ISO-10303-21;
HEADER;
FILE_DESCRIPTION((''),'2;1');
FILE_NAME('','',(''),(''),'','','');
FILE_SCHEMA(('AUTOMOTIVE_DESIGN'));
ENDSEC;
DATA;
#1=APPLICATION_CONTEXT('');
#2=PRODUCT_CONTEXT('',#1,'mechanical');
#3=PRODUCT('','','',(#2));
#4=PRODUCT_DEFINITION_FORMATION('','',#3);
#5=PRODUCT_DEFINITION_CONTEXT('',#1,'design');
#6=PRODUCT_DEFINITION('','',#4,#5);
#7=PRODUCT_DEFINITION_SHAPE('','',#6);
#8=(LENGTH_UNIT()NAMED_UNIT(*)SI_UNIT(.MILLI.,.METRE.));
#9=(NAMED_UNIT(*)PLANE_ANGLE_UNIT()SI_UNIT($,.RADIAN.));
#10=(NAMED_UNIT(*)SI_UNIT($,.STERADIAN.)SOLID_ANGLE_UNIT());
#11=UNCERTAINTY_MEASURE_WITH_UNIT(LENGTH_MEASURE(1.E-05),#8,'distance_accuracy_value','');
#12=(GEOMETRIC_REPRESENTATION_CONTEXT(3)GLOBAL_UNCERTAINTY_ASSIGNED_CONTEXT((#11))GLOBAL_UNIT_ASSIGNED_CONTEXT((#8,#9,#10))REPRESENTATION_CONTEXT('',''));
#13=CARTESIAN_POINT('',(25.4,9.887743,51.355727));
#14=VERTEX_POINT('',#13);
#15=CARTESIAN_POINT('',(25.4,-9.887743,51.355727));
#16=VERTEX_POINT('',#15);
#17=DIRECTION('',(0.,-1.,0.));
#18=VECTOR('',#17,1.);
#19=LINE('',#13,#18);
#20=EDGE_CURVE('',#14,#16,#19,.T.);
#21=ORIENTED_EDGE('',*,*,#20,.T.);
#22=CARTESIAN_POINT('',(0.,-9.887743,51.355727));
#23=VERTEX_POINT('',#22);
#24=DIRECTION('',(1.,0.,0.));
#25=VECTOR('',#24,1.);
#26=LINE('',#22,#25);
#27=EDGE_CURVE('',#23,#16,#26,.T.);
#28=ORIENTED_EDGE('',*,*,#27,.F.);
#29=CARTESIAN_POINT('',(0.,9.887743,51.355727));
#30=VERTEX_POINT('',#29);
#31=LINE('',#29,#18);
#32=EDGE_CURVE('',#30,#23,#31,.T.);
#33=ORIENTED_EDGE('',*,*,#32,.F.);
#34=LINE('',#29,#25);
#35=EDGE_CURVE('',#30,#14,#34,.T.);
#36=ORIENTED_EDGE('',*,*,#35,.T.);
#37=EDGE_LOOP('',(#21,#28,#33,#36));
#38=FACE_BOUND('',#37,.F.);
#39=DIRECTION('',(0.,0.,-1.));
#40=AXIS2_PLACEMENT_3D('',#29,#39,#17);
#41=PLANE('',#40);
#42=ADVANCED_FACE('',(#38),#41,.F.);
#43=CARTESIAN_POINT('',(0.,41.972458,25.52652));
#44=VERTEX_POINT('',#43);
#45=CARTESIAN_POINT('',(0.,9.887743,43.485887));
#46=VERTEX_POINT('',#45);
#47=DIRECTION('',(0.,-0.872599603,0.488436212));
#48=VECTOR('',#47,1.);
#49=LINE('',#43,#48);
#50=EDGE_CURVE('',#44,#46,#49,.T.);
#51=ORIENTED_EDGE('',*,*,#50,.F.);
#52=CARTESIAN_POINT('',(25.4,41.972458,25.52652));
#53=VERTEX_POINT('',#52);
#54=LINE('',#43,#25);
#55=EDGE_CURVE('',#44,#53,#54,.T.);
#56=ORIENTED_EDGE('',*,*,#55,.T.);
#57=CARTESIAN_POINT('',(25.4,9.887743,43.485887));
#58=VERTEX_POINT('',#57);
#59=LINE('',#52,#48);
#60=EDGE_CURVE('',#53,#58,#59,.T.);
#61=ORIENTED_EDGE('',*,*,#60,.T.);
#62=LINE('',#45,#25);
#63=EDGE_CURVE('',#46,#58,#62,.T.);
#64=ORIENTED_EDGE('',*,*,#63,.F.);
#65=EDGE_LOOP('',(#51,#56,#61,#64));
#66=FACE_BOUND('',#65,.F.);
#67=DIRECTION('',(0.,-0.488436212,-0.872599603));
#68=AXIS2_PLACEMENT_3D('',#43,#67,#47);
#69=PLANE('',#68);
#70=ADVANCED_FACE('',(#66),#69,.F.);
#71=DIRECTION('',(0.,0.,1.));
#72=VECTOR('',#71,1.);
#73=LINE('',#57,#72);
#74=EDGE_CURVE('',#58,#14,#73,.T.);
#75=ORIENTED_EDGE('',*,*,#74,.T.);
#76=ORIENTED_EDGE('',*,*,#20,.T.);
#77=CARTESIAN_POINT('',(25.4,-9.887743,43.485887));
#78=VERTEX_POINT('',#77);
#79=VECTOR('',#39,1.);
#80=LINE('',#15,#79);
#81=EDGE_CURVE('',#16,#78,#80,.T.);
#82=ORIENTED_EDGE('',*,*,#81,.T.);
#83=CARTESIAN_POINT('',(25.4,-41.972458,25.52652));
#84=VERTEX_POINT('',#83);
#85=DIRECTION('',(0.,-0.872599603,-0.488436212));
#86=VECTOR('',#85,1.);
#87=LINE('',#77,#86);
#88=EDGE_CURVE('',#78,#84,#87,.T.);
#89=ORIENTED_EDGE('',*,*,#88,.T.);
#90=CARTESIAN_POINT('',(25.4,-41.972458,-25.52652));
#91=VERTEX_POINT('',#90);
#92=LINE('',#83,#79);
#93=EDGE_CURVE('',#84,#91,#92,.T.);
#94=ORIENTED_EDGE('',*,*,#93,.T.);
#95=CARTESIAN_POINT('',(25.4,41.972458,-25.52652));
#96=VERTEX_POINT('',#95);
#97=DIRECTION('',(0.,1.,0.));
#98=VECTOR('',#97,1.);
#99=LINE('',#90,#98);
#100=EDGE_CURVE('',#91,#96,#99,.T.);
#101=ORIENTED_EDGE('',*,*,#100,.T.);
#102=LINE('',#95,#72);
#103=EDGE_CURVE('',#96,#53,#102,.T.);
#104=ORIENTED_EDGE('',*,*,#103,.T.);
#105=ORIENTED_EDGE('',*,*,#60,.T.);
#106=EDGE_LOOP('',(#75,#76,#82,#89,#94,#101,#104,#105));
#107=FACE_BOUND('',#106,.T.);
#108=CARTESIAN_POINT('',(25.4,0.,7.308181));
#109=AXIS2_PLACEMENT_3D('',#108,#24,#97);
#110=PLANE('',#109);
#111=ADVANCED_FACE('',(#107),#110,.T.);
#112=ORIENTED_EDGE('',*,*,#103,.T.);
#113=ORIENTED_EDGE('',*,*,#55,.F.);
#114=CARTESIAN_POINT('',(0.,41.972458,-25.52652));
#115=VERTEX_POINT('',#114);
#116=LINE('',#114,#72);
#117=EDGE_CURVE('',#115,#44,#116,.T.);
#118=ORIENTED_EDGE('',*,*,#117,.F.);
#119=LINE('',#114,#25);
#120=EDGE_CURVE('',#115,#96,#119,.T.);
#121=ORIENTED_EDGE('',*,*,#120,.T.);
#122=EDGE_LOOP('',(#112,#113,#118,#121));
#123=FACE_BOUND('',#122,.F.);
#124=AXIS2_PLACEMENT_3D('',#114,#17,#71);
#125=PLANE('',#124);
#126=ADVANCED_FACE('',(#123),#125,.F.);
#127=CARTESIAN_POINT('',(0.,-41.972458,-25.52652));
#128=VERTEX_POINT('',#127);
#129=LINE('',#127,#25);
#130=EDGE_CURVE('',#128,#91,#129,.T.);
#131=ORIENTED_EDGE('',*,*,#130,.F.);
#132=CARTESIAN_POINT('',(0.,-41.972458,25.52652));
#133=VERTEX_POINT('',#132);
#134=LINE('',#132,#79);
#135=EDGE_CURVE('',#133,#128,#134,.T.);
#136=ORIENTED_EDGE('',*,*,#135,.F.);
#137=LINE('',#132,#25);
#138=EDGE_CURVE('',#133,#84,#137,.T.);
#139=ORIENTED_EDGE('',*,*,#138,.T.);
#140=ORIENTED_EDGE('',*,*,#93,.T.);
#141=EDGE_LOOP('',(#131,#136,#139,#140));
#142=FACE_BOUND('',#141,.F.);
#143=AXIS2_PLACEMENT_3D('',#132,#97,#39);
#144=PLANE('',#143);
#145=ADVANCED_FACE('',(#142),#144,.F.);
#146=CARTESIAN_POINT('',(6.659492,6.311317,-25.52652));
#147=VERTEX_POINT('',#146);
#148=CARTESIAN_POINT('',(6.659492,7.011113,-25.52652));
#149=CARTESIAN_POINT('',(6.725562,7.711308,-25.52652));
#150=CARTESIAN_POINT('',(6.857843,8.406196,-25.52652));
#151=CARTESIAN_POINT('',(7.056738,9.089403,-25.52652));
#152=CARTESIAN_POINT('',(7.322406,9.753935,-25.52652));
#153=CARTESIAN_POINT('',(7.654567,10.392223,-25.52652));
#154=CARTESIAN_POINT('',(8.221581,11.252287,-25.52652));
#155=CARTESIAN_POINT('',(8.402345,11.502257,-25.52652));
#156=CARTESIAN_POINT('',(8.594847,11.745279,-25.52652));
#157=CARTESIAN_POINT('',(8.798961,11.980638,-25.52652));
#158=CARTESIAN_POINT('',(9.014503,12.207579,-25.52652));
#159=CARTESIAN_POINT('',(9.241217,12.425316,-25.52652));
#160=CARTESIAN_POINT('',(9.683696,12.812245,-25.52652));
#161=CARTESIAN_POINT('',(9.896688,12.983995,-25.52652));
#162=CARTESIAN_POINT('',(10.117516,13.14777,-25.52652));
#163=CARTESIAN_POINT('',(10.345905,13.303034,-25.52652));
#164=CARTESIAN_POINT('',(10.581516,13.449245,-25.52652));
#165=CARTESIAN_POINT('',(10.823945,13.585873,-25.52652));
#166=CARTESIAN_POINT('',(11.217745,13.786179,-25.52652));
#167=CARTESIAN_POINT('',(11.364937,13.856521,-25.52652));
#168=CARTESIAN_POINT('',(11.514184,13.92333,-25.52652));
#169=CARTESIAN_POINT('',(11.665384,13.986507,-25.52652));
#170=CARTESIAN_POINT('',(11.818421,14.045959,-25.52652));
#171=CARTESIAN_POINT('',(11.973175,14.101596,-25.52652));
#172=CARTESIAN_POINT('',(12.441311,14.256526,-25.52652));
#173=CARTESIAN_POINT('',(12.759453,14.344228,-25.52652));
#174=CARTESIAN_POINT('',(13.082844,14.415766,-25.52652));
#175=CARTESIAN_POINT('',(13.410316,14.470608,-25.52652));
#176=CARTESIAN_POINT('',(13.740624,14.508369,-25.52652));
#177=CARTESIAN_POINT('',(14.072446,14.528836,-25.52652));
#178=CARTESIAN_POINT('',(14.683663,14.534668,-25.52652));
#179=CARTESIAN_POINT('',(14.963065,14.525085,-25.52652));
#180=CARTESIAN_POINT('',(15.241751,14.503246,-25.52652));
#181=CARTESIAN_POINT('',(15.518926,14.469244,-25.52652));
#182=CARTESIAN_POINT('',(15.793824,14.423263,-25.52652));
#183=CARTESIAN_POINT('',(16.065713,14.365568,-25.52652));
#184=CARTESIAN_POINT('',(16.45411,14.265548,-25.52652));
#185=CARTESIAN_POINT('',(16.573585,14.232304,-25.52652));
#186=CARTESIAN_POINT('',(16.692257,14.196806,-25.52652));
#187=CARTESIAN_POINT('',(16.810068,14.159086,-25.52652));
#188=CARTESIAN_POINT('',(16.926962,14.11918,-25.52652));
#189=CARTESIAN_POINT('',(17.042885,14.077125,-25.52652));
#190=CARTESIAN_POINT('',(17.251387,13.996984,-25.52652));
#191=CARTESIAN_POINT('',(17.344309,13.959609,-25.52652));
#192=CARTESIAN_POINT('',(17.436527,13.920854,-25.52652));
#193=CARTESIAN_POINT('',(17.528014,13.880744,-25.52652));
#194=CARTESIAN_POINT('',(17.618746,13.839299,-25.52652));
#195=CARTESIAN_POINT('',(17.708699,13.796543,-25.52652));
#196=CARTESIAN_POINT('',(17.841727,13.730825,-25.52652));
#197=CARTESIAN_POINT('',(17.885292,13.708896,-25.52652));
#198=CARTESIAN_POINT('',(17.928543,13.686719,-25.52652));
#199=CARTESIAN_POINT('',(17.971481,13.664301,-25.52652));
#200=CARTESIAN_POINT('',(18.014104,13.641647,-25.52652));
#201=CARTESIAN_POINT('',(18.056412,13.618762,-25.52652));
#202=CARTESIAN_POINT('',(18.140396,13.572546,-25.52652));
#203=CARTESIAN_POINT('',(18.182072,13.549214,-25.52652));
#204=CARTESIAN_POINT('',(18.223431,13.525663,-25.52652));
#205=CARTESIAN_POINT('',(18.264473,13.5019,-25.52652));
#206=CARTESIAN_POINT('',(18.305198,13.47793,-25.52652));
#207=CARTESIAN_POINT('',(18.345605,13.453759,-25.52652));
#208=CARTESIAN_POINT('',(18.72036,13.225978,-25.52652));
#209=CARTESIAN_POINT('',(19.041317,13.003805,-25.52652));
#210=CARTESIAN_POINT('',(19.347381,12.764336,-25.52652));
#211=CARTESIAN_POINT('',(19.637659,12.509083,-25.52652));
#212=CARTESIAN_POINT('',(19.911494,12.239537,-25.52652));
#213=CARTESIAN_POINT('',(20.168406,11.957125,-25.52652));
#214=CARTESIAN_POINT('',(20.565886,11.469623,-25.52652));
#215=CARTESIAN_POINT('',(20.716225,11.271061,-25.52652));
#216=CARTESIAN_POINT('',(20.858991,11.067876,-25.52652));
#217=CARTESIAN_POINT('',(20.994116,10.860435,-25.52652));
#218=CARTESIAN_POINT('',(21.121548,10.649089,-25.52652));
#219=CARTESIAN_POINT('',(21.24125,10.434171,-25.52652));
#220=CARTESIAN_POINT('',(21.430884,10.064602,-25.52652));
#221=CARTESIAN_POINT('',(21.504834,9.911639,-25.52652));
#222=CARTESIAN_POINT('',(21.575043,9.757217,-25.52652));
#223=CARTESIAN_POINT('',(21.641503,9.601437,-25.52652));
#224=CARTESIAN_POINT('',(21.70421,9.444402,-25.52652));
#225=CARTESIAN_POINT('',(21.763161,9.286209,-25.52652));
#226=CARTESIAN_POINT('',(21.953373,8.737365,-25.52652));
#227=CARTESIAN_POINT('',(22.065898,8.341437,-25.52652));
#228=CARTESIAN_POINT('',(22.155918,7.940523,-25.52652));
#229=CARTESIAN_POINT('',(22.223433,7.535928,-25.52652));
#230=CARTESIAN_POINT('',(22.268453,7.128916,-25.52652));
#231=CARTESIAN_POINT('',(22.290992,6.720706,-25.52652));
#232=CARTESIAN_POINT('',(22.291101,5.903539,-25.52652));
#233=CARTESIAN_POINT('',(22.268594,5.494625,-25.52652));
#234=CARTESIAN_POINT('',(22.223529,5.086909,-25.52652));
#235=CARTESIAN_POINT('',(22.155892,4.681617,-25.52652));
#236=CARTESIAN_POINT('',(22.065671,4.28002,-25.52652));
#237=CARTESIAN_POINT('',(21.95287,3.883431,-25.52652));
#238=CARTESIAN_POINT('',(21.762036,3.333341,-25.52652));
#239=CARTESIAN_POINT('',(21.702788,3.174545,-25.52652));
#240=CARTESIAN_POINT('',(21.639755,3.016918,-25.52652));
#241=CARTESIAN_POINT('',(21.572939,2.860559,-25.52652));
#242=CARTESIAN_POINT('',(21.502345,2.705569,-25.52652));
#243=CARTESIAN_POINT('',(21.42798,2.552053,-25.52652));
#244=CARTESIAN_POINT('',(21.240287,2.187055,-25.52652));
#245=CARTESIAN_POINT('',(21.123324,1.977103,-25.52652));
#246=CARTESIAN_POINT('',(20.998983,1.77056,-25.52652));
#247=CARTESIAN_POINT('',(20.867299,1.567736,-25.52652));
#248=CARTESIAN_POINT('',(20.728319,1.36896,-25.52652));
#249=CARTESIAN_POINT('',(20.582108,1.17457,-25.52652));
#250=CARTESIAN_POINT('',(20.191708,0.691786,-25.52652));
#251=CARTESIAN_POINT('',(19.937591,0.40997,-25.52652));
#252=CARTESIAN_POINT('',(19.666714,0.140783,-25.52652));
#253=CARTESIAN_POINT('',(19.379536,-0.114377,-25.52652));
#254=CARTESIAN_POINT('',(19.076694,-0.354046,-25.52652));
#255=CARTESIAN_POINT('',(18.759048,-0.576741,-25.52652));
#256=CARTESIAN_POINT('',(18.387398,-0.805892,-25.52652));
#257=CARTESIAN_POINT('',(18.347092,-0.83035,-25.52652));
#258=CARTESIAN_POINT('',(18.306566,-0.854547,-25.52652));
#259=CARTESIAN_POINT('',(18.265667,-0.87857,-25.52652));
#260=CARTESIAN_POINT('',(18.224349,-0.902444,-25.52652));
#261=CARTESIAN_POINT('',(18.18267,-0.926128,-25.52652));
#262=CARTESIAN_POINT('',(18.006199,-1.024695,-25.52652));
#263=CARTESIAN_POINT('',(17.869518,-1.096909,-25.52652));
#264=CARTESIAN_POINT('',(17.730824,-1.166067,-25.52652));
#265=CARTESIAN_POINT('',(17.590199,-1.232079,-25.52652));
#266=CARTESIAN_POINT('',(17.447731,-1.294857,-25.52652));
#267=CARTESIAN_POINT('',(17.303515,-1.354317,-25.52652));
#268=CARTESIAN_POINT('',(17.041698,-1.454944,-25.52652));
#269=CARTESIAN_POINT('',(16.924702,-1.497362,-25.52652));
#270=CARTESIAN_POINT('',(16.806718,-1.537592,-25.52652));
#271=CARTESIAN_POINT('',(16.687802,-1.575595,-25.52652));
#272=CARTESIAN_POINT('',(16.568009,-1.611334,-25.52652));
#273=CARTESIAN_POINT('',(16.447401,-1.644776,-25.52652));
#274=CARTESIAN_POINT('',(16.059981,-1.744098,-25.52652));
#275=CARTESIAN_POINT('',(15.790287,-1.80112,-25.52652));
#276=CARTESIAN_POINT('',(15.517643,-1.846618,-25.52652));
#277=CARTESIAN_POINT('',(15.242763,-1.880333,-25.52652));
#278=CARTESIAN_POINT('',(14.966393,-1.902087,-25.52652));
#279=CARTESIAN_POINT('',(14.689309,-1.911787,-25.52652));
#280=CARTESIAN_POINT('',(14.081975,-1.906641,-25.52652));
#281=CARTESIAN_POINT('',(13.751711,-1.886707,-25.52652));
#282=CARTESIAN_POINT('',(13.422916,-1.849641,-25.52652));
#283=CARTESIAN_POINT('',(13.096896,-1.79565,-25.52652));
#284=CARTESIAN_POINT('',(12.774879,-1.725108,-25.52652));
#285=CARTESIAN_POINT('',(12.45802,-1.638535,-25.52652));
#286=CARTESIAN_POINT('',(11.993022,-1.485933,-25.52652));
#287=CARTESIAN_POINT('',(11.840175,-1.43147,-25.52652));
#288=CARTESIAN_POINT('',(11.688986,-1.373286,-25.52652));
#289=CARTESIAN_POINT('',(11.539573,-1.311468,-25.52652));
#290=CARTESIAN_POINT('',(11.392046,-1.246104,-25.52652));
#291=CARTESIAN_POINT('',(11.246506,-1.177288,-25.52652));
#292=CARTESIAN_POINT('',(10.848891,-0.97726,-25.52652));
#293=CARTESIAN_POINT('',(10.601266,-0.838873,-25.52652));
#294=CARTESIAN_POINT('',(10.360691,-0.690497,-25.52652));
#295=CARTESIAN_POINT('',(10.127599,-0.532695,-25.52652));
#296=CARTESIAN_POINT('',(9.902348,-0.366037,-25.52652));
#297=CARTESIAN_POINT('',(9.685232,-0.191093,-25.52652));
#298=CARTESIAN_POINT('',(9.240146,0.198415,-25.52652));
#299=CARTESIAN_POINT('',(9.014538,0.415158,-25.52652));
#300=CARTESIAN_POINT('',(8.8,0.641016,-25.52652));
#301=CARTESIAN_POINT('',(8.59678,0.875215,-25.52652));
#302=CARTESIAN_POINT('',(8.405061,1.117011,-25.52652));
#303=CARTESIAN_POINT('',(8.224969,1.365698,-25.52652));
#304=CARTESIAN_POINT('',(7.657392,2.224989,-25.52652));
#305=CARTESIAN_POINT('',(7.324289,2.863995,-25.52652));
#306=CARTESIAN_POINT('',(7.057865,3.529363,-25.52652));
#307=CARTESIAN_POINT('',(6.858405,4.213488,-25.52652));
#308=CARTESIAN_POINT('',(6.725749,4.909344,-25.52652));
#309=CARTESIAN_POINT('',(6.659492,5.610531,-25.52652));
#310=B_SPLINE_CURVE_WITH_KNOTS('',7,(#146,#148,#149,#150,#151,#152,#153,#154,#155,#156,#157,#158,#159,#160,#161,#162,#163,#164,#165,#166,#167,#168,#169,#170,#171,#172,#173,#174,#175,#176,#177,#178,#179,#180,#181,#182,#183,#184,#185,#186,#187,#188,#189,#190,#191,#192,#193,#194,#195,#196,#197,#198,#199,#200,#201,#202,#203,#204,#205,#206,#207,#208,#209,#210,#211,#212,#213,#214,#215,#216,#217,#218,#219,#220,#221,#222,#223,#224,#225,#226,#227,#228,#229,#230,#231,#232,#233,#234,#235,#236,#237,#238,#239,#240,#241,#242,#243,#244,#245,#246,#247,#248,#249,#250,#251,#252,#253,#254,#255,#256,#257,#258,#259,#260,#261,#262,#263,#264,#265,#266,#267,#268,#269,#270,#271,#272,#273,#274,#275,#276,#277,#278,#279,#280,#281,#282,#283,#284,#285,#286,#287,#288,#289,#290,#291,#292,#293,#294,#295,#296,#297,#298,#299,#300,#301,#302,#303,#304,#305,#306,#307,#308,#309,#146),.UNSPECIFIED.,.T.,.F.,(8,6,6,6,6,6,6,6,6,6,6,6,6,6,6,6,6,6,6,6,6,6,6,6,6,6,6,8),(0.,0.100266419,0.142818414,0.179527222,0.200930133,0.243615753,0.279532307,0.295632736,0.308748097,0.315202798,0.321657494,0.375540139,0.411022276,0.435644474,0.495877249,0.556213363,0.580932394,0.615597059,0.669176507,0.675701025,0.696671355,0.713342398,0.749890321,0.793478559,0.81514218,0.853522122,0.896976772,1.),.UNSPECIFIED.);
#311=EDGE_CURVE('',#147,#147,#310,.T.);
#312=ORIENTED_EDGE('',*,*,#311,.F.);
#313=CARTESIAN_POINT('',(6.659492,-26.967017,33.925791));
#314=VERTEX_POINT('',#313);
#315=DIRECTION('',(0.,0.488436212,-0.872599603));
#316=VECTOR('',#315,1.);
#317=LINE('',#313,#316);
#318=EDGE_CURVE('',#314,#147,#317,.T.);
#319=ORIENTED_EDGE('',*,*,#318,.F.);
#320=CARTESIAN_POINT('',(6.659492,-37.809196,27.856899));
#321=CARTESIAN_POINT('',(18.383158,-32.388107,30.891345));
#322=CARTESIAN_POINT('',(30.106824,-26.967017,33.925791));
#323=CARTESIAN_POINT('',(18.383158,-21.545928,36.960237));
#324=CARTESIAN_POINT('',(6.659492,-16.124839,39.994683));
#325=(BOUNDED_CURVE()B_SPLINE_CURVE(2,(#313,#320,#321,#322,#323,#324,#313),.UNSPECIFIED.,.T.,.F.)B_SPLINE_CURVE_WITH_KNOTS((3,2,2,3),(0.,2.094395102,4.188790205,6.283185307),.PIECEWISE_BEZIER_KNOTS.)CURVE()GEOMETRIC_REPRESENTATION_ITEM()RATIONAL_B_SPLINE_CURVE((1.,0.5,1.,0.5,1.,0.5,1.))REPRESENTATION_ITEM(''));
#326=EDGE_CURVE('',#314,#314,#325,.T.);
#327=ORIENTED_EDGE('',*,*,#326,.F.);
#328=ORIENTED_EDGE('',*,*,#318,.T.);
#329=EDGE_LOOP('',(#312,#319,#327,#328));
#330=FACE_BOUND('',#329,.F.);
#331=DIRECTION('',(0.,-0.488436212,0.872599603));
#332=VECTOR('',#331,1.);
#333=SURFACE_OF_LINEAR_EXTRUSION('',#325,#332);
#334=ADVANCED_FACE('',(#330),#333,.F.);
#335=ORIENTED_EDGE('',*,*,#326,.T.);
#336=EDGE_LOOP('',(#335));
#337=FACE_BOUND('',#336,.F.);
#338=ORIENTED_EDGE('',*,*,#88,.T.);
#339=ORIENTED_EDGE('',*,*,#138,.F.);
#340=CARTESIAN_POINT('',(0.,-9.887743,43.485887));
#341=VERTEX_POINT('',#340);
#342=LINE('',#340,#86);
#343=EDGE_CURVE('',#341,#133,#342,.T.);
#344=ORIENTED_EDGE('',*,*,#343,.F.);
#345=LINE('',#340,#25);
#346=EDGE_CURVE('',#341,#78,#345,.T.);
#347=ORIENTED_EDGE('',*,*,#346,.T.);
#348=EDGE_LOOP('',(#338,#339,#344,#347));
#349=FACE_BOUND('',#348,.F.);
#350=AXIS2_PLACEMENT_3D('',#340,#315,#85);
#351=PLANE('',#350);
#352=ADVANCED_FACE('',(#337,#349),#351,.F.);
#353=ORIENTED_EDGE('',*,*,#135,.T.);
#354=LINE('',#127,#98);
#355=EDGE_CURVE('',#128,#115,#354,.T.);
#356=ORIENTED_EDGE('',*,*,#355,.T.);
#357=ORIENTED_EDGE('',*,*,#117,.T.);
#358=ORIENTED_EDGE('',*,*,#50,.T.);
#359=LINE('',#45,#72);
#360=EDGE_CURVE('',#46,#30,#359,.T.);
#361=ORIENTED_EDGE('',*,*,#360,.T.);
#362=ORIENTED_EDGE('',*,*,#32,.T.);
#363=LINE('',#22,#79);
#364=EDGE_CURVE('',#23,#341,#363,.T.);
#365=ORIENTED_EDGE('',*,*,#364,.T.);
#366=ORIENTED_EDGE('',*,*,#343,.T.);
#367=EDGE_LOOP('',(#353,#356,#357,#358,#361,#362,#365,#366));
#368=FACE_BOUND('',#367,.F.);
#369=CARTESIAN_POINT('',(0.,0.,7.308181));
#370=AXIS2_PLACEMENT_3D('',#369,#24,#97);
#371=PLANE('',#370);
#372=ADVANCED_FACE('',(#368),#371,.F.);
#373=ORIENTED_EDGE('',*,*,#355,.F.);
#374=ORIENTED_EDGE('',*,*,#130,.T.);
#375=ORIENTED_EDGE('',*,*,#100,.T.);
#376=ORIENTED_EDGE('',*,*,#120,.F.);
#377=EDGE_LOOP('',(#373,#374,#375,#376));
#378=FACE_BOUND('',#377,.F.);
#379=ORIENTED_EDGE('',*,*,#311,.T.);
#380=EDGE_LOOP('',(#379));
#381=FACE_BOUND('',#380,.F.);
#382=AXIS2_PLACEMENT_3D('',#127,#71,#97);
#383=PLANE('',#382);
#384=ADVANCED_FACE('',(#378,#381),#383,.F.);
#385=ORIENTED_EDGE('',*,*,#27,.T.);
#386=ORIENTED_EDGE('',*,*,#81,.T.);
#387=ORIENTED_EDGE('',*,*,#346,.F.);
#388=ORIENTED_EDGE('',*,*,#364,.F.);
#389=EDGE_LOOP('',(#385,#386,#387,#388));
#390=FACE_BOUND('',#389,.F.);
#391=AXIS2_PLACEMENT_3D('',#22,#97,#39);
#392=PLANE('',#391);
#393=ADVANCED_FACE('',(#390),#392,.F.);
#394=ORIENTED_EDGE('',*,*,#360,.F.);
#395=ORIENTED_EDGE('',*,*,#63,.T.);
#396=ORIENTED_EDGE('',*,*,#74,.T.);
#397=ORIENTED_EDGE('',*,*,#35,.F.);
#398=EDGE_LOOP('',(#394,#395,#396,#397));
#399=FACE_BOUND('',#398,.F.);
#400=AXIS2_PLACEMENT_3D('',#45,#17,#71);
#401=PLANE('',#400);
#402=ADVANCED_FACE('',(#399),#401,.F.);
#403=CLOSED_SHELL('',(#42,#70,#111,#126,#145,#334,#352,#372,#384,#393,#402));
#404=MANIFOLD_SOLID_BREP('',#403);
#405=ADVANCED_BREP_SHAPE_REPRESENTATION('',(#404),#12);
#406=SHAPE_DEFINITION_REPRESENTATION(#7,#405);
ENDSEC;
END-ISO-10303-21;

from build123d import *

# Parameters (mm, degrees)
F1_DEPTH = 25.4
F3_DEPTH = 99.314


with BuildPart() as f1:
    # F0 (on Right) → F1 (new body)
    with BuildSketch(Plane.YZ):
        Polygon((0, 51.3557270169), (-9.88774281, 51.3557270169), (-9.88774281, 43.4858873487), (-41.9724583626, 25.5265198648), (-41.9724583626, -25.5265198648), (0, -25.5265198648), (41.9724583626, -25.5265198648), (41.9724583626, 25.5265198648), (9.88774281, 43.4858873487), (9.88774281, 51.3557270169), align=None)
    extrude(amount=F1_DEPTH)

    # F2 (on face) → F3 (cut)
    with BuildSketch(Plane(origin=(0, -20.8930053431, 37.3257094981), x_dir=(1, 0, 0), z_dir=(0, -0.4884362121, 0.8725996027))):
        with BuildLine():
            add(Edge.make_bspline(
                [(6.659491919, -6.9608236663), (6.659491919, -19.3859712045), (18.3831579052, -13.1733974354), (30.1068238914, -6.9608236663), (18.3831579052, -0.7482498972), (6.659491919, 5.4643238719), (6.659491919, -6.9608236663)],
                knots=[0, 0, 0, 2.0943951024, 2.0943951024, 4.1887902048, 4.1887902048, 6.2831853072, 6.2831853072, 6.2831853072], degree=2, weights=[1, 0.5, 1, 0.5, 1, 0.5, 1]))
        make_face()
    extrude(amount=-F3_DEPTH, mode=Mode.SUBTRACT)


solid = f1.part
